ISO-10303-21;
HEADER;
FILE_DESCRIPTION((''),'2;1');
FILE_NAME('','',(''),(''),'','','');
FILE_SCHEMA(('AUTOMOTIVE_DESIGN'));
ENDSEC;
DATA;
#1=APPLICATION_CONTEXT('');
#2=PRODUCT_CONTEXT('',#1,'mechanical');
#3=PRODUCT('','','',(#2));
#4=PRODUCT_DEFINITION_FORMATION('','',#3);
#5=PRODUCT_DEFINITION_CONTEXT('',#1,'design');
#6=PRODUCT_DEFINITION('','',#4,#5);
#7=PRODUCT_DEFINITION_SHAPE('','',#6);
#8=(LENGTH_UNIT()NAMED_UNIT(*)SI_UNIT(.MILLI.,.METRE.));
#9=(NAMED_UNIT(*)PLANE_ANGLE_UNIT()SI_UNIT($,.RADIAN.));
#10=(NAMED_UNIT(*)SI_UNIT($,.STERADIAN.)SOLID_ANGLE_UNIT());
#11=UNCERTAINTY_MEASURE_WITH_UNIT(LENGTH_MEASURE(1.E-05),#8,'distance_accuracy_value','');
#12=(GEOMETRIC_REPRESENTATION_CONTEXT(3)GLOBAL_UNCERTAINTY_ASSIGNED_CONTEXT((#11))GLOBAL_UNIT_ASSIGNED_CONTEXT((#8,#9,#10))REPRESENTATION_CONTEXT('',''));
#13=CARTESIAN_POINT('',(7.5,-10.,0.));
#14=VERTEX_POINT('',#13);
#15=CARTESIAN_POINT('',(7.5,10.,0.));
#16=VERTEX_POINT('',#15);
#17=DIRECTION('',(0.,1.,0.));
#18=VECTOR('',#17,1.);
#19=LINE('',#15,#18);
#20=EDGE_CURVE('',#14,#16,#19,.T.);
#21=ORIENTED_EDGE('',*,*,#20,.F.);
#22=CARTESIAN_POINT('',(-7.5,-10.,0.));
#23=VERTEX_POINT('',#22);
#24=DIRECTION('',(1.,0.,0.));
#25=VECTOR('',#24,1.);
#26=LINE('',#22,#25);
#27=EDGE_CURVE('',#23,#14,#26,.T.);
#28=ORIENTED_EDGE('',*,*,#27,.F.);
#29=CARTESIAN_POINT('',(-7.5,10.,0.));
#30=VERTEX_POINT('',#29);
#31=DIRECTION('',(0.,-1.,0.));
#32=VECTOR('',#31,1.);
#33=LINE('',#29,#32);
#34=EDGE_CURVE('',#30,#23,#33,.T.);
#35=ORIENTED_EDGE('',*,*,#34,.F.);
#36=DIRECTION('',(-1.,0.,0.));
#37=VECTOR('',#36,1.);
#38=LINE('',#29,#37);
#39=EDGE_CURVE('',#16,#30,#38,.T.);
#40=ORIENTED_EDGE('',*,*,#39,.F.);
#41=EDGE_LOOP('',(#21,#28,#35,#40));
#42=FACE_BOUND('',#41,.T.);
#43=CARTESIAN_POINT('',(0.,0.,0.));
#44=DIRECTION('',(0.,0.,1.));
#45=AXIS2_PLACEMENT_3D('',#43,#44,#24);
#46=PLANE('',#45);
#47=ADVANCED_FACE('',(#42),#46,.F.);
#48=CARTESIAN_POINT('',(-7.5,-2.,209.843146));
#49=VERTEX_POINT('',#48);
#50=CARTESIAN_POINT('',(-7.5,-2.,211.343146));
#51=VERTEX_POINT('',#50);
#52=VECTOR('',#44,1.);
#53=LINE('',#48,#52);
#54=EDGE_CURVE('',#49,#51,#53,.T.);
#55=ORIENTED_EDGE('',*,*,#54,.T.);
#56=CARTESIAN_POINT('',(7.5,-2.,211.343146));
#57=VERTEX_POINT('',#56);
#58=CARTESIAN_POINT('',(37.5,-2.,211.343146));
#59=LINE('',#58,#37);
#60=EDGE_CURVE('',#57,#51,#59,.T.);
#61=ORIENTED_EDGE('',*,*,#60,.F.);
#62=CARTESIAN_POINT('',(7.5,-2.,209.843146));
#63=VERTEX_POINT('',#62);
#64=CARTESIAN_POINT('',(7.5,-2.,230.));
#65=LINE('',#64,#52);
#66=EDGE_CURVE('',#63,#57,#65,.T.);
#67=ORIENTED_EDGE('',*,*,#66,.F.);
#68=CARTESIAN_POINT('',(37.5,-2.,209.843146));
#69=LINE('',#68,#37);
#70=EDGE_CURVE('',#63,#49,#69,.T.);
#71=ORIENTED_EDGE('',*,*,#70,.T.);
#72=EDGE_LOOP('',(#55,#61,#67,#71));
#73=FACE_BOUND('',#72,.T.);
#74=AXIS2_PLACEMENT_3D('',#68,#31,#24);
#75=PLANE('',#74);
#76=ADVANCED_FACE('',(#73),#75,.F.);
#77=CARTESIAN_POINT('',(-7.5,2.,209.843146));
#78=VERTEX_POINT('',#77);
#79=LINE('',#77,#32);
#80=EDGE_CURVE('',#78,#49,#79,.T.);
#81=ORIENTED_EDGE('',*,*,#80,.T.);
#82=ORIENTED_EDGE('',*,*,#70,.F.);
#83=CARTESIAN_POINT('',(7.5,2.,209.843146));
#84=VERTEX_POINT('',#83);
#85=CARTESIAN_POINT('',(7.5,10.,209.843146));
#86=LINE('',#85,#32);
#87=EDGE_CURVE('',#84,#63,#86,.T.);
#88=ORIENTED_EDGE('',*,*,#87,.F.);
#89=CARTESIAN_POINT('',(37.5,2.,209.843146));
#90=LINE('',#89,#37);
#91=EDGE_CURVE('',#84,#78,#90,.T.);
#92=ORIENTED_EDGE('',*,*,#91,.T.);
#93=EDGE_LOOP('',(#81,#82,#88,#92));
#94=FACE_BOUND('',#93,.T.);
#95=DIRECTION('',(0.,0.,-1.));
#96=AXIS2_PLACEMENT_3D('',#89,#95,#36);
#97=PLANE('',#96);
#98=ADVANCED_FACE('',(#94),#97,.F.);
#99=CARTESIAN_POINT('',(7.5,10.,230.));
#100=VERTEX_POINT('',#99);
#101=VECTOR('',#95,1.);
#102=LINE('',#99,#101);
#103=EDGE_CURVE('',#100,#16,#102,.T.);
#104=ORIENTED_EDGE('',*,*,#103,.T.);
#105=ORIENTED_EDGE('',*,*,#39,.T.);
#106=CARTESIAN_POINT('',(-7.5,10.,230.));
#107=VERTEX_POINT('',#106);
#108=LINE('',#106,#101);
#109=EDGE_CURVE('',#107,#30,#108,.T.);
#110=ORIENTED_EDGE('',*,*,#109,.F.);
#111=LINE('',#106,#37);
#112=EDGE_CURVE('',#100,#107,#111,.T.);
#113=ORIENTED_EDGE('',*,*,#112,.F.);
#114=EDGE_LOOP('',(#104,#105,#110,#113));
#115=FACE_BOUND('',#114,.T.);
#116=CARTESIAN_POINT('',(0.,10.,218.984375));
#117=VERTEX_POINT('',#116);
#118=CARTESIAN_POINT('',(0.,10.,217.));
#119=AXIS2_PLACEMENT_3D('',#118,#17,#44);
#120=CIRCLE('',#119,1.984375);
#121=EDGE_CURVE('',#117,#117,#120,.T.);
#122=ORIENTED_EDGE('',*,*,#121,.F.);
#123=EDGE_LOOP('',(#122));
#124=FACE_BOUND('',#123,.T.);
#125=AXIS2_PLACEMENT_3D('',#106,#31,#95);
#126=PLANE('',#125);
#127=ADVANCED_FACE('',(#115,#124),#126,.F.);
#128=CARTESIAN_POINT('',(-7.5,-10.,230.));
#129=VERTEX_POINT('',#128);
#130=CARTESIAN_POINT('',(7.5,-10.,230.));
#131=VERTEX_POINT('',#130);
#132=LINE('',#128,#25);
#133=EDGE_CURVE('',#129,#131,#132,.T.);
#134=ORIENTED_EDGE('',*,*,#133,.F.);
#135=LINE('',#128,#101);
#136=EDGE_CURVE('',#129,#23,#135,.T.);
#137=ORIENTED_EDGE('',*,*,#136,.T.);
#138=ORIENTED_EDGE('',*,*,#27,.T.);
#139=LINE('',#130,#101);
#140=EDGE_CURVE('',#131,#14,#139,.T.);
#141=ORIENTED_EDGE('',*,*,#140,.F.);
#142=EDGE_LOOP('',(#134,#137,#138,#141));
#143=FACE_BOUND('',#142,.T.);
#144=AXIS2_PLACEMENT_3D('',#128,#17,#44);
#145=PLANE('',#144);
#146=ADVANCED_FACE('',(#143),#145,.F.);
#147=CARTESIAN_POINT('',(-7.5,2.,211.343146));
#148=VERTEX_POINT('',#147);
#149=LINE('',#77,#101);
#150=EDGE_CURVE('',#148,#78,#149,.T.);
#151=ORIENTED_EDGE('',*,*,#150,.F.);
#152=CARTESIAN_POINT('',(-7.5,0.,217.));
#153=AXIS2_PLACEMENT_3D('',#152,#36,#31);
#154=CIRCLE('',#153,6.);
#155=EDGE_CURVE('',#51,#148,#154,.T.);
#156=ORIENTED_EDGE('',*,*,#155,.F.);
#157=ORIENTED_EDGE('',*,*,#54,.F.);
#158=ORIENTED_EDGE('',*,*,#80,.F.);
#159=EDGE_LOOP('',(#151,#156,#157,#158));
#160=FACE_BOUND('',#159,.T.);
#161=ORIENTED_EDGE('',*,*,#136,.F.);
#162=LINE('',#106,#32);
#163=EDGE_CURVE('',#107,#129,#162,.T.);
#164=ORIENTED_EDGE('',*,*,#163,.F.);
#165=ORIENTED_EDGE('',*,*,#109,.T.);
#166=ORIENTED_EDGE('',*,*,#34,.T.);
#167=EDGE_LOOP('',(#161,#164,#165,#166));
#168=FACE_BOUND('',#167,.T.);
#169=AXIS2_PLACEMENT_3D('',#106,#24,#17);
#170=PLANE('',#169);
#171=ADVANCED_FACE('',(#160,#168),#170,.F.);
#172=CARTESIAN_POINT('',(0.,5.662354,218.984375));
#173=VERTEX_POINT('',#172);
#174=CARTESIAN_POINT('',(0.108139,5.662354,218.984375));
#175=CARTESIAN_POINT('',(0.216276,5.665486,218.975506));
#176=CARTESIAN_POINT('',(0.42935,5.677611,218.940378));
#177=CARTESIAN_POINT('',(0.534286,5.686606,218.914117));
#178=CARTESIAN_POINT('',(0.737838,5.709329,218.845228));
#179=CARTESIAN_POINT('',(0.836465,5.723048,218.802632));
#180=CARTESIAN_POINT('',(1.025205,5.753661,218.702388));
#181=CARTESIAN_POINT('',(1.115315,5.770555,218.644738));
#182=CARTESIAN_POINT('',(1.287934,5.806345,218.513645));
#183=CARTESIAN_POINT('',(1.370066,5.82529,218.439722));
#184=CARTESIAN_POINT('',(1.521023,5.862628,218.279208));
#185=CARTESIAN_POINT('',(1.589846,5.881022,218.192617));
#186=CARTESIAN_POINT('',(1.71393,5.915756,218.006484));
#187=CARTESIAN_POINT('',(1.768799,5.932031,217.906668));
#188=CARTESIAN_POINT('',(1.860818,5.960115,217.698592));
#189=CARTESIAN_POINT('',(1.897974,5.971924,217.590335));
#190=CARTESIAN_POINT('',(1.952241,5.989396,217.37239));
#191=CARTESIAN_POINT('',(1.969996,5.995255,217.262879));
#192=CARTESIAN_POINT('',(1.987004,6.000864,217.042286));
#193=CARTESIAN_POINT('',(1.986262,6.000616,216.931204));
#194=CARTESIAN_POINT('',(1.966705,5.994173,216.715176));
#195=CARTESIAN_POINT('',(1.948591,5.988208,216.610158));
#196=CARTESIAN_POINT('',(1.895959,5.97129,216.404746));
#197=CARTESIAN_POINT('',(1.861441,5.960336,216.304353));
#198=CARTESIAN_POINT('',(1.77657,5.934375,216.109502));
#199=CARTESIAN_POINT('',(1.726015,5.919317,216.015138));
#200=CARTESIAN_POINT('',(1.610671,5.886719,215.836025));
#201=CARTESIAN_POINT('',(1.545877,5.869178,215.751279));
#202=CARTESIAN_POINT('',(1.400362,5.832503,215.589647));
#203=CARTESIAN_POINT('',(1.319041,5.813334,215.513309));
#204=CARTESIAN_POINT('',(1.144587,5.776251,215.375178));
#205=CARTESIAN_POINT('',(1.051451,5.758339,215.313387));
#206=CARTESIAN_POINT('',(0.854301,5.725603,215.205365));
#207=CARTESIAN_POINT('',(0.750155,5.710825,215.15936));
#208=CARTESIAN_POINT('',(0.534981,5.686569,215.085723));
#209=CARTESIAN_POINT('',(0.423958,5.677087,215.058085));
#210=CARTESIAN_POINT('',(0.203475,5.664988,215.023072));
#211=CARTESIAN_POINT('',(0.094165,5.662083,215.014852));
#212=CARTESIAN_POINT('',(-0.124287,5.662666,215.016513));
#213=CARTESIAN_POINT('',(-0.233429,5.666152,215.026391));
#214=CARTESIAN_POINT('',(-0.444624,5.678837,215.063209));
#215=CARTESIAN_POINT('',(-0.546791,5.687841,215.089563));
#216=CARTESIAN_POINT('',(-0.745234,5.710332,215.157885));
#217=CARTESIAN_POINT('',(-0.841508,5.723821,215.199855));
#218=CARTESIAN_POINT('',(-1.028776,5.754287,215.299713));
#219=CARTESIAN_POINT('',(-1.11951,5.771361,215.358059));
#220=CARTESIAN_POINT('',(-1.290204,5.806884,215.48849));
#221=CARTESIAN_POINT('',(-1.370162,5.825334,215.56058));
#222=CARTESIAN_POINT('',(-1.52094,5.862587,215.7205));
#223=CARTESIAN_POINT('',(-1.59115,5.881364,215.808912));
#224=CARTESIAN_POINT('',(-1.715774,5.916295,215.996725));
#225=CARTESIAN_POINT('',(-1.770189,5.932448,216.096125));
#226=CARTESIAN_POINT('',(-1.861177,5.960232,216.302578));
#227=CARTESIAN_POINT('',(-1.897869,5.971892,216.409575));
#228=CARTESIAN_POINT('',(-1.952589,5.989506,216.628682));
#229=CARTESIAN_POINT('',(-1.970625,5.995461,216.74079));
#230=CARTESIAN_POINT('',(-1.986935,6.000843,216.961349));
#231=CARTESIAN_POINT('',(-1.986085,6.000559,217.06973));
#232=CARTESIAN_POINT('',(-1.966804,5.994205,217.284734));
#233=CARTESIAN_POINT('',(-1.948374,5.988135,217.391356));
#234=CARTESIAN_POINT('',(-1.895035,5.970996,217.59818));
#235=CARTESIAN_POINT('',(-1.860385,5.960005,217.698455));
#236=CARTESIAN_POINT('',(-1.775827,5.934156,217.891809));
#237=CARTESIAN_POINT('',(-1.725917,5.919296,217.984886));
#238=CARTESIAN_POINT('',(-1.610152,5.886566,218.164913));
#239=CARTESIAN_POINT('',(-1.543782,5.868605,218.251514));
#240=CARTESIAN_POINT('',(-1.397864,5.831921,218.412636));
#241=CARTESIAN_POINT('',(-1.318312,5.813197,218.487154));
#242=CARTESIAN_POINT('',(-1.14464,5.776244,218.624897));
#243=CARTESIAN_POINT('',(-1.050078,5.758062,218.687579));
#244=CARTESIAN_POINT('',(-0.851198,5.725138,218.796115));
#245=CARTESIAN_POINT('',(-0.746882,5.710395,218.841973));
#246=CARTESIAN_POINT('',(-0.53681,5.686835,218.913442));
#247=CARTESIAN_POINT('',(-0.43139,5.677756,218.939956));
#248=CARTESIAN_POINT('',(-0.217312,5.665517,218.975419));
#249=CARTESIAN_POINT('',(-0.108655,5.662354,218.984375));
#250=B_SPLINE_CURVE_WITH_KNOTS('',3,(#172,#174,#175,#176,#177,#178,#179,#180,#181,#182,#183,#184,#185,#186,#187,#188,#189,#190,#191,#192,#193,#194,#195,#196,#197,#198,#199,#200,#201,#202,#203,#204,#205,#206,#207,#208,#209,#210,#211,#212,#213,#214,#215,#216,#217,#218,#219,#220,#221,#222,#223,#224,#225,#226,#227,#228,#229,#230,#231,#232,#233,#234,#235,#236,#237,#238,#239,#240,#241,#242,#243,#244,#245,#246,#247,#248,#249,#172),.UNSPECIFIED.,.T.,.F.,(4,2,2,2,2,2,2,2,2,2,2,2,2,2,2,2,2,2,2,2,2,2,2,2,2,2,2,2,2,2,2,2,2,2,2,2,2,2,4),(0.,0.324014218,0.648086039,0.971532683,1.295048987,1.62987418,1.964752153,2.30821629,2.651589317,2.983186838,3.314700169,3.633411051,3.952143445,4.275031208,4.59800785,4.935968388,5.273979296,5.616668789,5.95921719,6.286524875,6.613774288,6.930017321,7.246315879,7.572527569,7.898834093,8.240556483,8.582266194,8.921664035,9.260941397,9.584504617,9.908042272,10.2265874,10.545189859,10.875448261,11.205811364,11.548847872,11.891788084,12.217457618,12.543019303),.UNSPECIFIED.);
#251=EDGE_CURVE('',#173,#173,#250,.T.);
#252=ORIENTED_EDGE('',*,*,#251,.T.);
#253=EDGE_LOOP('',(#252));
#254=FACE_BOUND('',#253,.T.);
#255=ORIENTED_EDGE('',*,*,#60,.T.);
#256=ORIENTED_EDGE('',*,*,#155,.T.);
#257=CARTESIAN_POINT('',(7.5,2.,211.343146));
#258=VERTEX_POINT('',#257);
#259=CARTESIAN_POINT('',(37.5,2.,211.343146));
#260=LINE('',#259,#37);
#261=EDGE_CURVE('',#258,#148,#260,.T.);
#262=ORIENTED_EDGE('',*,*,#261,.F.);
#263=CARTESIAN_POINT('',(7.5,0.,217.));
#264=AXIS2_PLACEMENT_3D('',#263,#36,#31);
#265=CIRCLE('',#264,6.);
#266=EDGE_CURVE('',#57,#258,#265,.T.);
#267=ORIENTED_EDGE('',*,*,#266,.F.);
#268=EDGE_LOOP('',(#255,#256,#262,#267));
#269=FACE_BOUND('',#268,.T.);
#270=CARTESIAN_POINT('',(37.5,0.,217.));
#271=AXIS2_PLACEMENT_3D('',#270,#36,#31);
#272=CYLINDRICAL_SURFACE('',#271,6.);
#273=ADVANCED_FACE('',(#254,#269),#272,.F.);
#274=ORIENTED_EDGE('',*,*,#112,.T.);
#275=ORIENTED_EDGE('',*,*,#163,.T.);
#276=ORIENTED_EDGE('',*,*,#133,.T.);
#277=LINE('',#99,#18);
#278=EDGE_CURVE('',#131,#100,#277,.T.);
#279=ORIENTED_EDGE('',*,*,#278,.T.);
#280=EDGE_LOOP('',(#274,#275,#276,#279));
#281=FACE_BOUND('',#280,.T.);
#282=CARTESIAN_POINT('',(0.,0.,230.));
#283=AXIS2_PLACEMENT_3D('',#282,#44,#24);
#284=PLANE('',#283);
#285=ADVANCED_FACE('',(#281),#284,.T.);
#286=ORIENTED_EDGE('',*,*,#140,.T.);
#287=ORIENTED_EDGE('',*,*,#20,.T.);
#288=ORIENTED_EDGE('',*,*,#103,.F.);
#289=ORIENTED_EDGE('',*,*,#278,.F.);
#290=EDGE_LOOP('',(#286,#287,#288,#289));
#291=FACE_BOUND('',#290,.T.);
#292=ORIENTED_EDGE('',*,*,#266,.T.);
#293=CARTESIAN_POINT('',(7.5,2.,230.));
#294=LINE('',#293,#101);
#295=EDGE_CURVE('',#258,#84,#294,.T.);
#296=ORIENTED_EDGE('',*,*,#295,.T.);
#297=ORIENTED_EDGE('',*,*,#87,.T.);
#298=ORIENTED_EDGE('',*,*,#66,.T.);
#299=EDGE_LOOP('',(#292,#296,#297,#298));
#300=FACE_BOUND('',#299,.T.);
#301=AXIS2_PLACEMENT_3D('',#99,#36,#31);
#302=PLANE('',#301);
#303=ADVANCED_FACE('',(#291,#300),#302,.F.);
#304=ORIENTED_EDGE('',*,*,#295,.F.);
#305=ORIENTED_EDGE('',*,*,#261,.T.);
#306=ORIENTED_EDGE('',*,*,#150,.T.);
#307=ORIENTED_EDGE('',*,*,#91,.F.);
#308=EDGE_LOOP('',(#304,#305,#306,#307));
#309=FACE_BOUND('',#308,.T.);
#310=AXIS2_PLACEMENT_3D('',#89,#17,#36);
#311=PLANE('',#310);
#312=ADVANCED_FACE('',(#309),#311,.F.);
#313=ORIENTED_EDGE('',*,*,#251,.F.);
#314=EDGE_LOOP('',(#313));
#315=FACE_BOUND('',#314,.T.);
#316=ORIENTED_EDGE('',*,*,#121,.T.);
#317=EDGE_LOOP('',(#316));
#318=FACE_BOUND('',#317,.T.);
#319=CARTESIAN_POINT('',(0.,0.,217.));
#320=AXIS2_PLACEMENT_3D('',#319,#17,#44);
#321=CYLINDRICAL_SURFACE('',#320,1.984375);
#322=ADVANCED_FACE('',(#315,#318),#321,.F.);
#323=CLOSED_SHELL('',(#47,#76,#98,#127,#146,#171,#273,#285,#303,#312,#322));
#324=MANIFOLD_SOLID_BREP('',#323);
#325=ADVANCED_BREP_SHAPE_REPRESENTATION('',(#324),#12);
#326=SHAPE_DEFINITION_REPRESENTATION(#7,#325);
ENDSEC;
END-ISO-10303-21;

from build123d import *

# Parameters (mm, degrees)
SKETCH1_W            = 15
SKETCH1_H            = 20
BOSS_EXTRUDE1_DEPTH  = 230
SKETCH2_W            = 65
SKETCH2_H            = 40
BOSS_EXTRUDE6_DEPTH  = 5
SKETCH7_W            = 75
SKETCH7_H            = 15
BOSS_EXTRUDE7_DEPTH  = 5
SKETCH8_W            = 75
SKETCH8_H            = 15
BOSS_EXTRUDE8_DEPTH  = 5
SKETCH9_W            = 65
SKETCH9_H            = 40
BOSS_EXTRUDE11_DEPTH = 5
CUT_EXTRUDE1_DEPTH   = 240.635139326
SKETCH13_R           = 1.984375
CUT_EXTRUDE2_DEPTH   = 10


with BuildPart() as part:
    # Sketch1 → Boss-Extrude1 (new body)
    with BuildSketch(Plane.XY):
        Rectangle(SKETCH1_W, SKETCH1_H)
    extrude(amount=BOSS_EXTRUDE1_DEPTH)

    # Sketch10 → Cut-Extrude1 (cut, through all)
    with BuildSketch(Plane.ZY.offset(7.5)):
        with BuildLine():
            Line((209.843145751, 2), (211.343145751, 2))
            ThreePointArc((211.343145751, 2), (223, 0), (211.343145751, -2))
            Line((211.343145751, -2), (209.843145751, -2))
            Line((209.843145751, -2), (209.843145751, 2))
        make_face()
    extrude(amount=-CUT_EXTRUDE1_DEPTH, mode=Mode.SUBTRACT)

    # Sketch13 → Cut-Extrude2 (cut)
    with BuildSketch(Plane(origin=(0, 10, 0), x_dir=(1, 0, 0), z_dir=(0, 1, 0))):
        with Locations(Location((0, -217, 0), (0, 0, 270))):
            Circle(SKETCH13_R)
    extrude(amount=-CUT_EXTRUDE2_DEPTH, mode=Mode.SUBTRACT)


with BuildPart() as body_2:
    # Sketch2 → Boss-Extrude6 (new body)
    with BuildSketch(Plane(origin=(0, 0, 0), x_dir=(-1, 0, 0), z_dir=(0, 0, -1))):
        with Locations((0, 30)):
            Rectangle(SKETCH2_W, SKETCH2_H)
    extrude(amount=-BOSS_EXTRUDE6_DEPTH)


with BuildPart() as body_3:
    # Sketch7 → Boss-Extrude7 (new body)
    with BuildSketch(Plane(origin=(32.5, 0, 0), x_dir=(0, 0, -1), z_dir=(1, 0, 0))):
        with Locations((-37.5, 30)):
            Rectangle(SKETCH7_W, SKETCH7_H)
    extrude(amount=BOSS_EXTRUDE7_DEPTH)


with BuildPart() as body_4:
    # Sketch8 → Boss-Extrude8 (new body)
    with BuildSketch(Plane.ZY.offset(32.5)):
        with Locations((37.5, 30)):
            Rectangle(SKETCH8_W, SKETCH8_H)
    extrude(amount=BOSS_EXTRUDE8_DEPTH)


with BuildPart() as body_5:
    # Sketch9 → Boss-Extrude11 (new body)
    with BuildSketch(Plane.XY.offset(75)):
        with Locations((0, 30)):
            Rectangle(SKETCH9_W, SKETCH9_H)
    extrude(amount=-BOSS_EXTRUDE11_DEPTH)


solid = part.part
